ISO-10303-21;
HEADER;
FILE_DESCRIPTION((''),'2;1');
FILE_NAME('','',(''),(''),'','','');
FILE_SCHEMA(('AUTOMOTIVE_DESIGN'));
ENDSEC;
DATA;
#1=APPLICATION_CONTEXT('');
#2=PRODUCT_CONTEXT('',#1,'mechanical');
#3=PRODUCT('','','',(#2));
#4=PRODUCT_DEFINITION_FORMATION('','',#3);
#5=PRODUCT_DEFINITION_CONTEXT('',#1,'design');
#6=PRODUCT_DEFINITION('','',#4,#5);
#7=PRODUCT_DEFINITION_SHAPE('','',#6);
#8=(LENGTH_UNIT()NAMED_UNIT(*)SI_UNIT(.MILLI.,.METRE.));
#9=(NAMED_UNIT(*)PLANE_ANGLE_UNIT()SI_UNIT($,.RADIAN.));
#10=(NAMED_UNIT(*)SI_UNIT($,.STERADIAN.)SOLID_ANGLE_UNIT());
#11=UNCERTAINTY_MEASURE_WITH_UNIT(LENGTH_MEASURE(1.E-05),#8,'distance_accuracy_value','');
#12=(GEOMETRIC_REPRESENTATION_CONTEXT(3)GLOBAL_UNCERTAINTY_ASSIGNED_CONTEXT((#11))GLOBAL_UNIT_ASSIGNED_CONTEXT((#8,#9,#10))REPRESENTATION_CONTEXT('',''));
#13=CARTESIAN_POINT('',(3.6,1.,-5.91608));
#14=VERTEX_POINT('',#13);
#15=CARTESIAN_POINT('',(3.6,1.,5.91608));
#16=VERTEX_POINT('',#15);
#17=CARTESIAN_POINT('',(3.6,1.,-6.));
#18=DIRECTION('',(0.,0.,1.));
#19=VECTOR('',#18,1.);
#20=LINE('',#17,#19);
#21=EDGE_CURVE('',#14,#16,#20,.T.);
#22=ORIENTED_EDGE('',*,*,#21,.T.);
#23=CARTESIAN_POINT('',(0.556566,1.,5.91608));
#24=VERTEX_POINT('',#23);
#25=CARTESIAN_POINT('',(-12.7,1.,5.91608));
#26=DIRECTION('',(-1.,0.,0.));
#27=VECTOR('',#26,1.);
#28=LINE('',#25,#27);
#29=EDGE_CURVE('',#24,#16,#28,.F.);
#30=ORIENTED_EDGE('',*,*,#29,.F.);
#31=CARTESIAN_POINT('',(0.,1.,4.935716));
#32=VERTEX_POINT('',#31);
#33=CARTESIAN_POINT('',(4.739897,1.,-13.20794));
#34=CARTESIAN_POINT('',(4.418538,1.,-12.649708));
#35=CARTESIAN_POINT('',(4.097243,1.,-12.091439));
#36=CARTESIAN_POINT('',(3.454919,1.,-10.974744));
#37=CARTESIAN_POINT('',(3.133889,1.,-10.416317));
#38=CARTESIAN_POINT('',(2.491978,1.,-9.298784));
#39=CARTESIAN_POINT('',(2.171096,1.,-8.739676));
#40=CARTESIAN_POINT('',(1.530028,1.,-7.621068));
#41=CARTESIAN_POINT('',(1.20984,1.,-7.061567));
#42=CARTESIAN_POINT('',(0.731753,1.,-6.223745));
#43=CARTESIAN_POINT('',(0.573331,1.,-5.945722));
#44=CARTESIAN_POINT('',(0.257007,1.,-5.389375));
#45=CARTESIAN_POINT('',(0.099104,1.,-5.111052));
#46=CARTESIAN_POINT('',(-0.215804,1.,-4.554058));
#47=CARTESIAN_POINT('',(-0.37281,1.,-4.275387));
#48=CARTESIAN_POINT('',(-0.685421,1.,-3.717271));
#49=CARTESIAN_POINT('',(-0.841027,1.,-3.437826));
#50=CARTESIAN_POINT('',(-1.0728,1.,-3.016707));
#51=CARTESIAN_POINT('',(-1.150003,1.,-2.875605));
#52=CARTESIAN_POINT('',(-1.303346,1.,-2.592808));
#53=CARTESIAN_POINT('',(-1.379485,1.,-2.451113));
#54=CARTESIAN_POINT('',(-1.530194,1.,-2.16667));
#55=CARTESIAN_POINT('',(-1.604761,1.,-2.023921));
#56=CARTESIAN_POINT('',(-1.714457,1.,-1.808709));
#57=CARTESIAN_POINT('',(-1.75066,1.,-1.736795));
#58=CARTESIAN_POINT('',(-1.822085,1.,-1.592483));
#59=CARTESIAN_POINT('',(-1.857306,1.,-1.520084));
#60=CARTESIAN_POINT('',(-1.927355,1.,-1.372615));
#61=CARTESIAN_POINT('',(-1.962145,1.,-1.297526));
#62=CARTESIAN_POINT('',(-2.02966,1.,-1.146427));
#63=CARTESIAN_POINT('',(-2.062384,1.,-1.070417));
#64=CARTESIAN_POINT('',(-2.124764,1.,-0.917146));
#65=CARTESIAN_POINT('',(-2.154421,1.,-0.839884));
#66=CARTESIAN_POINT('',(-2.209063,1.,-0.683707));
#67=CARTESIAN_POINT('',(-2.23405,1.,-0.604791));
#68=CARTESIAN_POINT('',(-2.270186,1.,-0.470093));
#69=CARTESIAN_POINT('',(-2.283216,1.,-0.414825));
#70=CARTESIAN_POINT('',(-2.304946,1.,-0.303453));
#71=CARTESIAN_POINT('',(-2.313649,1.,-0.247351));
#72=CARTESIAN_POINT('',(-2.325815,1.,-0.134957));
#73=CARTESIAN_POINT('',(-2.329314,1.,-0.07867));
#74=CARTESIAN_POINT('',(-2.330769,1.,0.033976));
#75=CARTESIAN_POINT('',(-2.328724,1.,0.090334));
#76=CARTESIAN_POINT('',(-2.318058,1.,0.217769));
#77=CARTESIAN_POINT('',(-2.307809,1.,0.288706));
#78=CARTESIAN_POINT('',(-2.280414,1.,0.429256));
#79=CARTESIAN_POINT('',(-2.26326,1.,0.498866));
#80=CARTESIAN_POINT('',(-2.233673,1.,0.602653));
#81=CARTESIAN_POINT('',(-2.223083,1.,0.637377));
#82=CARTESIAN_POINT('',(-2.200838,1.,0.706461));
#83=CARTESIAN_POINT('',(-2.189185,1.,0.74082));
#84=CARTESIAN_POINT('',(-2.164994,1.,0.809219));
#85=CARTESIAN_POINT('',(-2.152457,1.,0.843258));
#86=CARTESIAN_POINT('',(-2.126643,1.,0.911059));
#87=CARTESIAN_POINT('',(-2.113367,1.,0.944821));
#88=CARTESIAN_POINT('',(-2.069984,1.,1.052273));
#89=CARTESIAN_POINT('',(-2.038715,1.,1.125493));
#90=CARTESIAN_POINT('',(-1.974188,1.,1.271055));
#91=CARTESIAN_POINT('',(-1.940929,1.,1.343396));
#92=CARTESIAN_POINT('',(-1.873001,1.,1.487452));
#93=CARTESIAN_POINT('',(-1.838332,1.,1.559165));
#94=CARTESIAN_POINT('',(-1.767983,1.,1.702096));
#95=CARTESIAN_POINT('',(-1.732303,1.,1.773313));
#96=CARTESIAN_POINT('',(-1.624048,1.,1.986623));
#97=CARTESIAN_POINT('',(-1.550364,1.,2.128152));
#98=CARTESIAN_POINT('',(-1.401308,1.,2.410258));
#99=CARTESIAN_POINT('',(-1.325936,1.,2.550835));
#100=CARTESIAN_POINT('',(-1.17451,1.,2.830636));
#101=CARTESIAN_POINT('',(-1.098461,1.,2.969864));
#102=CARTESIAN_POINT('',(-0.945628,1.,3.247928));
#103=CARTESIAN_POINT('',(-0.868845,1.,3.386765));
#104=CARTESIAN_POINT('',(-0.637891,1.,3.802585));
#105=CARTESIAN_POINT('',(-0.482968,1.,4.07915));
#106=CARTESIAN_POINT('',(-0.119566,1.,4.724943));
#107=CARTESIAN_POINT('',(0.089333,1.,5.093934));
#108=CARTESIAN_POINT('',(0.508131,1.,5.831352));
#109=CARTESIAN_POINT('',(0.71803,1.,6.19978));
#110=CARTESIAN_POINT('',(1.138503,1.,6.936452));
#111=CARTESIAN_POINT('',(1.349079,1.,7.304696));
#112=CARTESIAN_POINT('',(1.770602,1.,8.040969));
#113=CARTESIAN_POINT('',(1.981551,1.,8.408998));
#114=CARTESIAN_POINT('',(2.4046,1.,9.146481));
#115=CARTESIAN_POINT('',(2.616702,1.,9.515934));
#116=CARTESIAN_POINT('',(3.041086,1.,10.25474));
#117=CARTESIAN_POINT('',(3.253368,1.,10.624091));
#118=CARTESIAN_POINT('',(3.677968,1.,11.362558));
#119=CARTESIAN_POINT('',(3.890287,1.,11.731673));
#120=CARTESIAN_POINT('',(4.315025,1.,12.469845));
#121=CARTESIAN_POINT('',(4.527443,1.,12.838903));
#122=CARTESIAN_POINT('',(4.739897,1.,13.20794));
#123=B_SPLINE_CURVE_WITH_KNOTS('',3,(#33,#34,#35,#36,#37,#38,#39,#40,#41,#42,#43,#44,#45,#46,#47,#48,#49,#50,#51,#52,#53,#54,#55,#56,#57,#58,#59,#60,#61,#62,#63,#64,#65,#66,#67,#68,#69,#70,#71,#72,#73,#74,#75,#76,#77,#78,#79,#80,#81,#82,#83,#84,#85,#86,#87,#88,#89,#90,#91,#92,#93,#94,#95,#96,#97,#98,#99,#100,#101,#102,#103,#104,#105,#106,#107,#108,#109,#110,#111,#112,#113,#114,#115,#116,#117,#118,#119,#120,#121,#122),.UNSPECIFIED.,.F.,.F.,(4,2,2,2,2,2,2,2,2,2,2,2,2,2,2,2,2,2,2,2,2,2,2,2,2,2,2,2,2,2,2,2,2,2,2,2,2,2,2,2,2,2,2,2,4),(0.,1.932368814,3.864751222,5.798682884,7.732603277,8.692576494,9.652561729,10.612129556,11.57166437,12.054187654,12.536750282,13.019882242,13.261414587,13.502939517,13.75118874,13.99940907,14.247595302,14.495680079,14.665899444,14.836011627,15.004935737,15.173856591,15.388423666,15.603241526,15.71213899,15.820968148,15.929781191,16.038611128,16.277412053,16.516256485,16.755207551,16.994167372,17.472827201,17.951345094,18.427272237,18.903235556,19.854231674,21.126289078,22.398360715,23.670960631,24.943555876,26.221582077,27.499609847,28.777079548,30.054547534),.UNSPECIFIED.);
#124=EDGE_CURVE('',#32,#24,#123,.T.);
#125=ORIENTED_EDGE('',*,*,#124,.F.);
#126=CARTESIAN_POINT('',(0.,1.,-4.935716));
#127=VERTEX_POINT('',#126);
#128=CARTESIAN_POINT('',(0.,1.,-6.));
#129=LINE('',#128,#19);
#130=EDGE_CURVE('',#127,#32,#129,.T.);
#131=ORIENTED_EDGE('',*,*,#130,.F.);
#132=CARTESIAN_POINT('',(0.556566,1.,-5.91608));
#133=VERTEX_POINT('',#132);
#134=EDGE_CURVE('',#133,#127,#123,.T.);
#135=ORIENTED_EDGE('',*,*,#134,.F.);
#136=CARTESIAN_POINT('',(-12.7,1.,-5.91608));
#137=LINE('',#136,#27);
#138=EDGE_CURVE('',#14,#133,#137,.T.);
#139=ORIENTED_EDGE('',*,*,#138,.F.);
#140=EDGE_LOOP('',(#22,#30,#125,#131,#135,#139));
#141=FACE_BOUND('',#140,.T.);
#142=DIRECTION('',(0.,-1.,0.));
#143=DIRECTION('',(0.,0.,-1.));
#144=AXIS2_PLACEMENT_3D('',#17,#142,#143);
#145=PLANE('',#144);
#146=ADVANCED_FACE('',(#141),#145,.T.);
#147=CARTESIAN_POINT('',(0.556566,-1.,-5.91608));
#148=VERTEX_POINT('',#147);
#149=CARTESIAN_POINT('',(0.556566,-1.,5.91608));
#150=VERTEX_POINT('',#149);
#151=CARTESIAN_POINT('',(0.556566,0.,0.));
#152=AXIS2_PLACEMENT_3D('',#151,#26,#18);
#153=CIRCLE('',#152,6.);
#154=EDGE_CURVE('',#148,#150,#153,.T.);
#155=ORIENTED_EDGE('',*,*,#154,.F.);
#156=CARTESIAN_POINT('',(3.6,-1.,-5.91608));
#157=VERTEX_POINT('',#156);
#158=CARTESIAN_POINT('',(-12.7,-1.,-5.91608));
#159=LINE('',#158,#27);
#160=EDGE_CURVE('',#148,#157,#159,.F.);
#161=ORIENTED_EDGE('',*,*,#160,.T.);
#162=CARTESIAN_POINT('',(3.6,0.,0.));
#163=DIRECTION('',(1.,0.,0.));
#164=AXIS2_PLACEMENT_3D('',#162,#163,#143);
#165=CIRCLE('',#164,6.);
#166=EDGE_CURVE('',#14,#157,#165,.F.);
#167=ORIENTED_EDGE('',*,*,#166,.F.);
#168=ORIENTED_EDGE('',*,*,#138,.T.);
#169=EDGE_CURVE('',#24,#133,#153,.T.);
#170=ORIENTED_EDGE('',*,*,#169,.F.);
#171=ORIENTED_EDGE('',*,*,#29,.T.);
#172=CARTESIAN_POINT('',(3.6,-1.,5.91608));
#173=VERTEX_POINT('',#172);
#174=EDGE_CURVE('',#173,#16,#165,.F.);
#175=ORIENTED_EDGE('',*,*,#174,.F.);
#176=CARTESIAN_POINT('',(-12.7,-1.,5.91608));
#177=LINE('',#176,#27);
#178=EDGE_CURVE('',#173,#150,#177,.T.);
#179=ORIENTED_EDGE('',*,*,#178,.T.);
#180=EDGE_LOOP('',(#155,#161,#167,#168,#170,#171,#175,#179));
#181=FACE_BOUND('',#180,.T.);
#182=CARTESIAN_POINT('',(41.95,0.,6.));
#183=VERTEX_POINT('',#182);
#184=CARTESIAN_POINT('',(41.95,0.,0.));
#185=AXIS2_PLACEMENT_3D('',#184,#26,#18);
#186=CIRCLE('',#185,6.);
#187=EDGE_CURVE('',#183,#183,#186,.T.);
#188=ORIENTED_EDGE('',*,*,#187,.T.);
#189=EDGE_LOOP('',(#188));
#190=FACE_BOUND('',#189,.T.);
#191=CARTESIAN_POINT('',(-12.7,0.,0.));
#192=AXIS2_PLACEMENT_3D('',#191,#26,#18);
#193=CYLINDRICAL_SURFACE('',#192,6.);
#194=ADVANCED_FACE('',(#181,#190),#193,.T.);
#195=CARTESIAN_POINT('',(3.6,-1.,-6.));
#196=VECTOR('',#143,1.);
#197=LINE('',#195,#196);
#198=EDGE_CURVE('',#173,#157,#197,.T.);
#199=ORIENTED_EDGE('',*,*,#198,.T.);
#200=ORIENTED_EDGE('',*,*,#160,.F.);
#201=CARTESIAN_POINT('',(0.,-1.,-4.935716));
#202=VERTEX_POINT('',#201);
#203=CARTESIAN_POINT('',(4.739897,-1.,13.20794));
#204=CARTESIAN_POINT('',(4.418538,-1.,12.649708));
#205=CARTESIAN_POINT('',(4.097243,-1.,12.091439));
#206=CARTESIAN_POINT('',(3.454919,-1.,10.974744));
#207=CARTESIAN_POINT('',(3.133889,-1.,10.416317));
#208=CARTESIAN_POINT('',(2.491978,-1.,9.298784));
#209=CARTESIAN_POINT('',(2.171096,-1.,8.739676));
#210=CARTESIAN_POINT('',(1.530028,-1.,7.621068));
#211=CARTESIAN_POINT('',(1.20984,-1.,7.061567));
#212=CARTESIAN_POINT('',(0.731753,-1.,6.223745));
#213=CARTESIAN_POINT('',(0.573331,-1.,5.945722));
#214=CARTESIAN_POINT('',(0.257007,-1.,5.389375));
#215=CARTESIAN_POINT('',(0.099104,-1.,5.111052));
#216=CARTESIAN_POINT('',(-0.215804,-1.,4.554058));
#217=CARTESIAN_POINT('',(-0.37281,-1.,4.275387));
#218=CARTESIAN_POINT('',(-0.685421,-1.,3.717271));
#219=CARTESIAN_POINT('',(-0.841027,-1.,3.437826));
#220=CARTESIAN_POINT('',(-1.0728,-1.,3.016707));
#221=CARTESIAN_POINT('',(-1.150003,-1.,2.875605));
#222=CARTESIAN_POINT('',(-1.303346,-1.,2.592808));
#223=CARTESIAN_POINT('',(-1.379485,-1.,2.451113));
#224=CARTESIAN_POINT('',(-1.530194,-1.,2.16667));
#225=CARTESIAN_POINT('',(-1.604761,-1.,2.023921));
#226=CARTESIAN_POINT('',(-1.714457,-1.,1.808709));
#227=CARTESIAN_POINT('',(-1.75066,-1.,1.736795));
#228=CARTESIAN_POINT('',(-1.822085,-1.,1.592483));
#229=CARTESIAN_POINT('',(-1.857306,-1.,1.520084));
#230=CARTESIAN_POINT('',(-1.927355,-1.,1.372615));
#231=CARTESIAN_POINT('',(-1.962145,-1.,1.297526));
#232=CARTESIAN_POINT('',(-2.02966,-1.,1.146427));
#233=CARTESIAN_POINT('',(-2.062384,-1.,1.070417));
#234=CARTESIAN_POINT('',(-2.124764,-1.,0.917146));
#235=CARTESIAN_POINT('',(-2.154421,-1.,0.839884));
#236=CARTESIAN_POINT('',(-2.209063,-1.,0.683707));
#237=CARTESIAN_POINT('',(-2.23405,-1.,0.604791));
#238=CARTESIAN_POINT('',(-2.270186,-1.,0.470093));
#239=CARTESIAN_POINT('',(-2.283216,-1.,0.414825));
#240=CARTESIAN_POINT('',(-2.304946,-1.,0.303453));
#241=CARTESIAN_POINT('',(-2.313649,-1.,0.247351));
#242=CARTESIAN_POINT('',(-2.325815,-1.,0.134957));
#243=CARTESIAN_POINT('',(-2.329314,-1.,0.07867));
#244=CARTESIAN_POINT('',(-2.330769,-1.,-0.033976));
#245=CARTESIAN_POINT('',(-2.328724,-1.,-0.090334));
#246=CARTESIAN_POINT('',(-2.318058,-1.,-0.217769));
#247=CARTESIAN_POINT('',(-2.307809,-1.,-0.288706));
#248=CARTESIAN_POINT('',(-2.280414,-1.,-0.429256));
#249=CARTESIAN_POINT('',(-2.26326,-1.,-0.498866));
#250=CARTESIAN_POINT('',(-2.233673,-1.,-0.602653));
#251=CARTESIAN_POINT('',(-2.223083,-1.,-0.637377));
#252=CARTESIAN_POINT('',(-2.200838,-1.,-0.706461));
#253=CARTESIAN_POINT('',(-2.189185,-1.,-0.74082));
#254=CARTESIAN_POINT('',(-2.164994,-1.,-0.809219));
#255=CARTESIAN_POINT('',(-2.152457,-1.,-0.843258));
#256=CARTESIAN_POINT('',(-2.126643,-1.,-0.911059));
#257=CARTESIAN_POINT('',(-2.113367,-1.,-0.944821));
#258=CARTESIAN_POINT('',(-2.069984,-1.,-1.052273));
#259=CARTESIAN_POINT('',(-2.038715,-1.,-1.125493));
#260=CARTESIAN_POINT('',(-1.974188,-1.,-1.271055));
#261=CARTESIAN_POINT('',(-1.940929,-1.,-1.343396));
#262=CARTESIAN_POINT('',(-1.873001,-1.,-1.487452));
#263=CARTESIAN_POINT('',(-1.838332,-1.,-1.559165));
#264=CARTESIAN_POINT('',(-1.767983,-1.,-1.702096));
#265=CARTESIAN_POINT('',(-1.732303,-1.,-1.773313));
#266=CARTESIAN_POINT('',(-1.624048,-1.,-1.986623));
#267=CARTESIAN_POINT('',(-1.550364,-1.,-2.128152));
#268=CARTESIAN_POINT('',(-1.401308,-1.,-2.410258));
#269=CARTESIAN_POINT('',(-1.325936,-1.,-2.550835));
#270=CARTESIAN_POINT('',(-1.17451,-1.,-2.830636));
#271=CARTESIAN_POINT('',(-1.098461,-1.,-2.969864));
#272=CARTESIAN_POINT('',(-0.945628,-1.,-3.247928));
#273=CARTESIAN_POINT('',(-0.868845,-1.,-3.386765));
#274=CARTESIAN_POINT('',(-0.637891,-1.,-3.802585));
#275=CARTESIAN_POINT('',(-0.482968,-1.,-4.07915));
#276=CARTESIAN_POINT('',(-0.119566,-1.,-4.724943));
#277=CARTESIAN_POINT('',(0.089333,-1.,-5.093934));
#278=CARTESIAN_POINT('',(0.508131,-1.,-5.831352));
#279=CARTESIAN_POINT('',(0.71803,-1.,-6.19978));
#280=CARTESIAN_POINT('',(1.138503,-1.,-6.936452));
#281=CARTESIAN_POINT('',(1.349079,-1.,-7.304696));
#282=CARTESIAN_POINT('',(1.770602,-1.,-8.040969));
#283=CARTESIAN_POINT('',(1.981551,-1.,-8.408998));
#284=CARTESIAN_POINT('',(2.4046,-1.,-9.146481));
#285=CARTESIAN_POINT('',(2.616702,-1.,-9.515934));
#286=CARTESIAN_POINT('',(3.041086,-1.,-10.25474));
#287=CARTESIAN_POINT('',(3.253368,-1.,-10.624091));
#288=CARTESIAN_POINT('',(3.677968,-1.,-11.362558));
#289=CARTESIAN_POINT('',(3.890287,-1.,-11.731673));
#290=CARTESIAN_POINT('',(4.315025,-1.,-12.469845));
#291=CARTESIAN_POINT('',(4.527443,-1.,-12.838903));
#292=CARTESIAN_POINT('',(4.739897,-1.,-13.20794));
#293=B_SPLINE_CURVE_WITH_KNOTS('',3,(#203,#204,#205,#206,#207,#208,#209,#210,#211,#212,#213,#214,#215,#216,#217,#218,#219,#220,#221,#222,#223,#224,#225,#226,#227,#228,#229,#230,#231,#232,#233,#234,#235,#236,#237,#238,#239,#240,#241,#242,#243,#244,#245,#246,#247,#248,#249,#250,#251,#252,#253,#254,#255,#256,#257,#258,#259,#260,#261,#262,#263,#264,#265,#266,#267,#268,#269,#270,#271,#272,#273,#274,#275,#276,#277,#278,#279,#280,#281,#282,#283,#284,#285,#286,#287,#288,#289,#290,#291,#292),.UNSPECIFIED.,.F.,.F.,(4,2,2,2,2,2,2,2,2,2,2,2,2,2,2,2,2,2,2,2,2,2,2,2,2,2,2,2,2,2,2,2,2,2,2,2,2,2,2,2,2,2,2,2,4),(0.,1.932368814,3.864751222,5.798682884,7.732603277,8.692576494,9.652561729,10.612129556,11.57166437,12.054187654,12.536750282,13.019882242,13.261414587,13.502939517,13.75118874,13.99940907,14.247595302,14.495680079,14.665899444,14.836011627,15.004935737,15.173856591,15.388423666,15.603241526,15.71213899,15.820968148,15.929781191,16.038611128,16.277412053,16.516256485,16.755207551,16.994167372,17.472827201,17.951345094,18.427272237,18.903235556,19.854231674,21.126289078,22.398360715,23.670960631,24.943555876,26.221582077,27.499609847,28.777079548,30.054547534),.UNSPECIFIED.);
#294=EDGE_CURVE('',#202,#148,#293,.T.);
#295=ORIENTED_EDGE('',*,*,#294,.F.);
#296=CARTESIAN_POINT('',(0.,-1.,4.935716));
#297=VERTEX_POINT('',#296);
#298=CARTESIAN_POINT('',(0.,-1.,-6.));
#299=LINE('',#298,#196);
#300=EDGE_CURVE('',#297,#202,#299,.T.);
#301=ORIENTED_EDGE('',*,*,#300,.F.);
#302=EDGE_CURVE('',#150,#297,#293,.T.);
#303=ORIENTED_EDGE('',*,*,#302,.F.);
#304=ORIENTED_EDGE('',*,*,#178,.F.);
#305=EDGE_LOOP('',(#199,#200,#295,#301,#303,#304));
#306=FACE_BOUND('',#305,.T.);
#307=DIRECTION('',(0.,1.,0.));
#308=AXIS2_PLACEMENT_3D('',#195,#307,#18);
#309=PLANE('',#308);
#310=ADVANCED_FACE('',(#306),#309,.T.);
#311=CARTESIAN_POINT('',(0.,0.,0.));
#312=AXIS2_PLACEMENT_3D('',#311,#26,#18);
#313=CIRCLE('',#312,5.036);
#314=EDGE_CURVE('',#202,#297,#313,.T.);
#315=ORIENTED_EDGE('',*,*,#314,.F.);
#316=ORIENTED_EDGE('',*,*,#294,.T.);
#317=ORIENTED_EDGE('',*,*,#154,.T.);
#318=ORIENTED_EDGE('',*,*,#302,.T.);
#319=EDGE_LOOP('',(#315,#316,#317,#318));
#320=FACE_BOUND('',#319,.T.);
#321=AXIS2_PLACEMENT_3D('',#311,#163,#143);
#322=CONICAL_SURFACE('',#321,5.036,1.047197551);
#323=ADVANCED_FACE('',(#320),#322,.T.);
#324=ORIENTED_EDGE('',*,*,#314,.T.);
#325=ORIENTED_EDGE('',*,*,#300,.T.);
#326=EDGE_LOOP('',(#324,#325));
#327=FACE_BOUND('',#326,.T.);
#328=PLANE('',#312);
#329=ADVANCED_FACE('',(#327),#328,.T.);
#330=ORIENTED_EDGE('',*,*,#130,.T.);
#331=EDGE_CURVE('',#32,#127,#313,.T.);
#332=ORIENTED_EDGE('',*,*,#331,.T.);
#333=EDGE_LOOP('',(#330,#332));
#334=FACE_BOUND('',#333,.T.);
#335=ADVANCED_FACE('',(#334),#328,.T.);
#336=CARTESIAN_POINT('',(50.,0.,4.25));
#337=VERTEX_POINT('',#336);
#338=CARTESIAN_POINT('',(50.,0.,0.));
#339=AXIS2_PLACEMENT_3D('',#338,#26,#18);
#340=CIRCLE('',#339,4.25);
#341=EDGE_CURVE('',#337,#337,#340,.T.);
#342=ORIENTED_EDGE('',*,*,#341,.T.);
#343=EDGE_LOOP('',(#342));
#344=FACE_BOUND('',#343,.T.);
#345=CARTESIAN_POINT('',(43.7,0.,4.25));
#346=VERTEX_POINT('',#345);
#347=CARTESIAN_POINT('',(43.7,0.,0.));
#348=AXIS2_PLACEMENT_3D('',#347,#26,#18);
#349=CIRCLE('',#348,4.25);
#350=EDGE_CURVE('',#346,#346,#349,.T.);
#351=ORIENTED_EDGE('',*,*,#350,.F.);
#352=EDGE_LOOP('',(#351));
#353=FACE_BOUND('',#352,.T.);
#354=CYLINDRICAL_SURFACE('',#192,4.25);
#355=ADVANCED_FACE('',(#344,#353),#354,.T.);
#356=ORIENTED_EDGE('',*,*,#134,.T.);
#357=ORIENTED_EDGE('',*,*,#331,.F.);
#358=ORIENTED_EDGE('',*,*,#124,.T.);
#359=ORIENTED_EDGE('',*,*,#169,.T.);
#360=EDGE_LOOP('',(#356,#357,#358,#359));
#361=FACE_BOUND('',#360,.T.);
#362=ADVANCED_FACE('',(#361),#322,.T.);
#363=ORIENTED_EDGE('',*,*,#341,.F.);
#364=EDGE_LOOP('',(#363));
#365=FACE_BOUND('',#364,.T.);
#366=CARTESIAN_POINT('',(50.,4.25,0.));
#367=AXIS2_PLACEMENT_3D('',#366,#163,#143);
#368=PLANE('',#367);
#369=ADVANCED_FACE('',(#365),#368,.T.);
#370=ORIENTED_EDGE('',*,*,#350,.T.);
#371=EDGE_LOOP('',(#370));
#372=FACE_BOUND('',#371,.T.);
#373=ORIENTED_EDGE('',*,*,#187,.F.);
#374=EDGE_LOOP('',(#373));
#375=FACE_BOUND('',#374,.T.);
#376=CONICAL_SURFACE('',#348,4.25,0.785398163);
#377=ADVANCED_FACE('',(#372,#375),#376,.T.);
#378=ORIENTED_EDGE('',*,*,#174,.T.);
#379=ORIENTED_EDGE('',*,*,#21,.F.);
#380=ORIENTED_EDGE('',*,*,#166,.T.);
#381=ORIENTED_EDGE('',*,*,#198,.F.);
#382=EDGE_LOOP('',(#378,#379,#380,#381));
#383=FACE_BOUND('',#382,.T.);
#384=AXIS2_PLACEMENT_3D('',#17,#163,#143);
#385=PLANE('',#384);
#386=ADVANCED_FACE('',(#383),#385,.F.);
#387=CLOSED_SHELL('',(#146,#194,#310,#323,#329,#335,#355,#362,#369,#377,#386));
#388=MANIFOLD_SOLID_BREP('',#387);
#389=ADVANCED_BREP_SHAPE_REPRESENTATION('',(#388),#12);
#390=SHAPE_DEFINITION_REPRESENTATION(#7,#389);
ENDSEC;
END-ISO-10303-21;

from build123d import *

# Parameters (mm, degrees)
SKETCH2_W  = 12
SKETCH2_H  = 2
SLOT_DEPTH = 3.6


with BuildPart() as part:
    # BodySke → BaseBody (revolve)
    with BuildSketch(Plane.XY, mode=Mode.PRIVATE) as basebody_sk:
        Polygon((43.7, 4.25), (50, 4.25), (50, 0), (0, 0), (0, 5.036), (0.556565659, 6), (41.95, 6), align=None)
    revolve(basebody_sk.sketch.rotate(Axis((-12.7, 0, 0), (1, 0, 0)), 90), axis=Axis((-12.7, 0, 0), (1, 0, 0)))

    # Sketch2 → Slot (cut)
    with BuildSketch(Plane(origin=(0, 0, 0), x_dir=(0, 0, -1), z_dir=(1, 0, 0))):
        Rectangle(SKETCH2_W, SKETCH2_H)
    extrude(amount=SLOT_DEPTH, mode=Mode.SUBTRACT)


solid = part.part
